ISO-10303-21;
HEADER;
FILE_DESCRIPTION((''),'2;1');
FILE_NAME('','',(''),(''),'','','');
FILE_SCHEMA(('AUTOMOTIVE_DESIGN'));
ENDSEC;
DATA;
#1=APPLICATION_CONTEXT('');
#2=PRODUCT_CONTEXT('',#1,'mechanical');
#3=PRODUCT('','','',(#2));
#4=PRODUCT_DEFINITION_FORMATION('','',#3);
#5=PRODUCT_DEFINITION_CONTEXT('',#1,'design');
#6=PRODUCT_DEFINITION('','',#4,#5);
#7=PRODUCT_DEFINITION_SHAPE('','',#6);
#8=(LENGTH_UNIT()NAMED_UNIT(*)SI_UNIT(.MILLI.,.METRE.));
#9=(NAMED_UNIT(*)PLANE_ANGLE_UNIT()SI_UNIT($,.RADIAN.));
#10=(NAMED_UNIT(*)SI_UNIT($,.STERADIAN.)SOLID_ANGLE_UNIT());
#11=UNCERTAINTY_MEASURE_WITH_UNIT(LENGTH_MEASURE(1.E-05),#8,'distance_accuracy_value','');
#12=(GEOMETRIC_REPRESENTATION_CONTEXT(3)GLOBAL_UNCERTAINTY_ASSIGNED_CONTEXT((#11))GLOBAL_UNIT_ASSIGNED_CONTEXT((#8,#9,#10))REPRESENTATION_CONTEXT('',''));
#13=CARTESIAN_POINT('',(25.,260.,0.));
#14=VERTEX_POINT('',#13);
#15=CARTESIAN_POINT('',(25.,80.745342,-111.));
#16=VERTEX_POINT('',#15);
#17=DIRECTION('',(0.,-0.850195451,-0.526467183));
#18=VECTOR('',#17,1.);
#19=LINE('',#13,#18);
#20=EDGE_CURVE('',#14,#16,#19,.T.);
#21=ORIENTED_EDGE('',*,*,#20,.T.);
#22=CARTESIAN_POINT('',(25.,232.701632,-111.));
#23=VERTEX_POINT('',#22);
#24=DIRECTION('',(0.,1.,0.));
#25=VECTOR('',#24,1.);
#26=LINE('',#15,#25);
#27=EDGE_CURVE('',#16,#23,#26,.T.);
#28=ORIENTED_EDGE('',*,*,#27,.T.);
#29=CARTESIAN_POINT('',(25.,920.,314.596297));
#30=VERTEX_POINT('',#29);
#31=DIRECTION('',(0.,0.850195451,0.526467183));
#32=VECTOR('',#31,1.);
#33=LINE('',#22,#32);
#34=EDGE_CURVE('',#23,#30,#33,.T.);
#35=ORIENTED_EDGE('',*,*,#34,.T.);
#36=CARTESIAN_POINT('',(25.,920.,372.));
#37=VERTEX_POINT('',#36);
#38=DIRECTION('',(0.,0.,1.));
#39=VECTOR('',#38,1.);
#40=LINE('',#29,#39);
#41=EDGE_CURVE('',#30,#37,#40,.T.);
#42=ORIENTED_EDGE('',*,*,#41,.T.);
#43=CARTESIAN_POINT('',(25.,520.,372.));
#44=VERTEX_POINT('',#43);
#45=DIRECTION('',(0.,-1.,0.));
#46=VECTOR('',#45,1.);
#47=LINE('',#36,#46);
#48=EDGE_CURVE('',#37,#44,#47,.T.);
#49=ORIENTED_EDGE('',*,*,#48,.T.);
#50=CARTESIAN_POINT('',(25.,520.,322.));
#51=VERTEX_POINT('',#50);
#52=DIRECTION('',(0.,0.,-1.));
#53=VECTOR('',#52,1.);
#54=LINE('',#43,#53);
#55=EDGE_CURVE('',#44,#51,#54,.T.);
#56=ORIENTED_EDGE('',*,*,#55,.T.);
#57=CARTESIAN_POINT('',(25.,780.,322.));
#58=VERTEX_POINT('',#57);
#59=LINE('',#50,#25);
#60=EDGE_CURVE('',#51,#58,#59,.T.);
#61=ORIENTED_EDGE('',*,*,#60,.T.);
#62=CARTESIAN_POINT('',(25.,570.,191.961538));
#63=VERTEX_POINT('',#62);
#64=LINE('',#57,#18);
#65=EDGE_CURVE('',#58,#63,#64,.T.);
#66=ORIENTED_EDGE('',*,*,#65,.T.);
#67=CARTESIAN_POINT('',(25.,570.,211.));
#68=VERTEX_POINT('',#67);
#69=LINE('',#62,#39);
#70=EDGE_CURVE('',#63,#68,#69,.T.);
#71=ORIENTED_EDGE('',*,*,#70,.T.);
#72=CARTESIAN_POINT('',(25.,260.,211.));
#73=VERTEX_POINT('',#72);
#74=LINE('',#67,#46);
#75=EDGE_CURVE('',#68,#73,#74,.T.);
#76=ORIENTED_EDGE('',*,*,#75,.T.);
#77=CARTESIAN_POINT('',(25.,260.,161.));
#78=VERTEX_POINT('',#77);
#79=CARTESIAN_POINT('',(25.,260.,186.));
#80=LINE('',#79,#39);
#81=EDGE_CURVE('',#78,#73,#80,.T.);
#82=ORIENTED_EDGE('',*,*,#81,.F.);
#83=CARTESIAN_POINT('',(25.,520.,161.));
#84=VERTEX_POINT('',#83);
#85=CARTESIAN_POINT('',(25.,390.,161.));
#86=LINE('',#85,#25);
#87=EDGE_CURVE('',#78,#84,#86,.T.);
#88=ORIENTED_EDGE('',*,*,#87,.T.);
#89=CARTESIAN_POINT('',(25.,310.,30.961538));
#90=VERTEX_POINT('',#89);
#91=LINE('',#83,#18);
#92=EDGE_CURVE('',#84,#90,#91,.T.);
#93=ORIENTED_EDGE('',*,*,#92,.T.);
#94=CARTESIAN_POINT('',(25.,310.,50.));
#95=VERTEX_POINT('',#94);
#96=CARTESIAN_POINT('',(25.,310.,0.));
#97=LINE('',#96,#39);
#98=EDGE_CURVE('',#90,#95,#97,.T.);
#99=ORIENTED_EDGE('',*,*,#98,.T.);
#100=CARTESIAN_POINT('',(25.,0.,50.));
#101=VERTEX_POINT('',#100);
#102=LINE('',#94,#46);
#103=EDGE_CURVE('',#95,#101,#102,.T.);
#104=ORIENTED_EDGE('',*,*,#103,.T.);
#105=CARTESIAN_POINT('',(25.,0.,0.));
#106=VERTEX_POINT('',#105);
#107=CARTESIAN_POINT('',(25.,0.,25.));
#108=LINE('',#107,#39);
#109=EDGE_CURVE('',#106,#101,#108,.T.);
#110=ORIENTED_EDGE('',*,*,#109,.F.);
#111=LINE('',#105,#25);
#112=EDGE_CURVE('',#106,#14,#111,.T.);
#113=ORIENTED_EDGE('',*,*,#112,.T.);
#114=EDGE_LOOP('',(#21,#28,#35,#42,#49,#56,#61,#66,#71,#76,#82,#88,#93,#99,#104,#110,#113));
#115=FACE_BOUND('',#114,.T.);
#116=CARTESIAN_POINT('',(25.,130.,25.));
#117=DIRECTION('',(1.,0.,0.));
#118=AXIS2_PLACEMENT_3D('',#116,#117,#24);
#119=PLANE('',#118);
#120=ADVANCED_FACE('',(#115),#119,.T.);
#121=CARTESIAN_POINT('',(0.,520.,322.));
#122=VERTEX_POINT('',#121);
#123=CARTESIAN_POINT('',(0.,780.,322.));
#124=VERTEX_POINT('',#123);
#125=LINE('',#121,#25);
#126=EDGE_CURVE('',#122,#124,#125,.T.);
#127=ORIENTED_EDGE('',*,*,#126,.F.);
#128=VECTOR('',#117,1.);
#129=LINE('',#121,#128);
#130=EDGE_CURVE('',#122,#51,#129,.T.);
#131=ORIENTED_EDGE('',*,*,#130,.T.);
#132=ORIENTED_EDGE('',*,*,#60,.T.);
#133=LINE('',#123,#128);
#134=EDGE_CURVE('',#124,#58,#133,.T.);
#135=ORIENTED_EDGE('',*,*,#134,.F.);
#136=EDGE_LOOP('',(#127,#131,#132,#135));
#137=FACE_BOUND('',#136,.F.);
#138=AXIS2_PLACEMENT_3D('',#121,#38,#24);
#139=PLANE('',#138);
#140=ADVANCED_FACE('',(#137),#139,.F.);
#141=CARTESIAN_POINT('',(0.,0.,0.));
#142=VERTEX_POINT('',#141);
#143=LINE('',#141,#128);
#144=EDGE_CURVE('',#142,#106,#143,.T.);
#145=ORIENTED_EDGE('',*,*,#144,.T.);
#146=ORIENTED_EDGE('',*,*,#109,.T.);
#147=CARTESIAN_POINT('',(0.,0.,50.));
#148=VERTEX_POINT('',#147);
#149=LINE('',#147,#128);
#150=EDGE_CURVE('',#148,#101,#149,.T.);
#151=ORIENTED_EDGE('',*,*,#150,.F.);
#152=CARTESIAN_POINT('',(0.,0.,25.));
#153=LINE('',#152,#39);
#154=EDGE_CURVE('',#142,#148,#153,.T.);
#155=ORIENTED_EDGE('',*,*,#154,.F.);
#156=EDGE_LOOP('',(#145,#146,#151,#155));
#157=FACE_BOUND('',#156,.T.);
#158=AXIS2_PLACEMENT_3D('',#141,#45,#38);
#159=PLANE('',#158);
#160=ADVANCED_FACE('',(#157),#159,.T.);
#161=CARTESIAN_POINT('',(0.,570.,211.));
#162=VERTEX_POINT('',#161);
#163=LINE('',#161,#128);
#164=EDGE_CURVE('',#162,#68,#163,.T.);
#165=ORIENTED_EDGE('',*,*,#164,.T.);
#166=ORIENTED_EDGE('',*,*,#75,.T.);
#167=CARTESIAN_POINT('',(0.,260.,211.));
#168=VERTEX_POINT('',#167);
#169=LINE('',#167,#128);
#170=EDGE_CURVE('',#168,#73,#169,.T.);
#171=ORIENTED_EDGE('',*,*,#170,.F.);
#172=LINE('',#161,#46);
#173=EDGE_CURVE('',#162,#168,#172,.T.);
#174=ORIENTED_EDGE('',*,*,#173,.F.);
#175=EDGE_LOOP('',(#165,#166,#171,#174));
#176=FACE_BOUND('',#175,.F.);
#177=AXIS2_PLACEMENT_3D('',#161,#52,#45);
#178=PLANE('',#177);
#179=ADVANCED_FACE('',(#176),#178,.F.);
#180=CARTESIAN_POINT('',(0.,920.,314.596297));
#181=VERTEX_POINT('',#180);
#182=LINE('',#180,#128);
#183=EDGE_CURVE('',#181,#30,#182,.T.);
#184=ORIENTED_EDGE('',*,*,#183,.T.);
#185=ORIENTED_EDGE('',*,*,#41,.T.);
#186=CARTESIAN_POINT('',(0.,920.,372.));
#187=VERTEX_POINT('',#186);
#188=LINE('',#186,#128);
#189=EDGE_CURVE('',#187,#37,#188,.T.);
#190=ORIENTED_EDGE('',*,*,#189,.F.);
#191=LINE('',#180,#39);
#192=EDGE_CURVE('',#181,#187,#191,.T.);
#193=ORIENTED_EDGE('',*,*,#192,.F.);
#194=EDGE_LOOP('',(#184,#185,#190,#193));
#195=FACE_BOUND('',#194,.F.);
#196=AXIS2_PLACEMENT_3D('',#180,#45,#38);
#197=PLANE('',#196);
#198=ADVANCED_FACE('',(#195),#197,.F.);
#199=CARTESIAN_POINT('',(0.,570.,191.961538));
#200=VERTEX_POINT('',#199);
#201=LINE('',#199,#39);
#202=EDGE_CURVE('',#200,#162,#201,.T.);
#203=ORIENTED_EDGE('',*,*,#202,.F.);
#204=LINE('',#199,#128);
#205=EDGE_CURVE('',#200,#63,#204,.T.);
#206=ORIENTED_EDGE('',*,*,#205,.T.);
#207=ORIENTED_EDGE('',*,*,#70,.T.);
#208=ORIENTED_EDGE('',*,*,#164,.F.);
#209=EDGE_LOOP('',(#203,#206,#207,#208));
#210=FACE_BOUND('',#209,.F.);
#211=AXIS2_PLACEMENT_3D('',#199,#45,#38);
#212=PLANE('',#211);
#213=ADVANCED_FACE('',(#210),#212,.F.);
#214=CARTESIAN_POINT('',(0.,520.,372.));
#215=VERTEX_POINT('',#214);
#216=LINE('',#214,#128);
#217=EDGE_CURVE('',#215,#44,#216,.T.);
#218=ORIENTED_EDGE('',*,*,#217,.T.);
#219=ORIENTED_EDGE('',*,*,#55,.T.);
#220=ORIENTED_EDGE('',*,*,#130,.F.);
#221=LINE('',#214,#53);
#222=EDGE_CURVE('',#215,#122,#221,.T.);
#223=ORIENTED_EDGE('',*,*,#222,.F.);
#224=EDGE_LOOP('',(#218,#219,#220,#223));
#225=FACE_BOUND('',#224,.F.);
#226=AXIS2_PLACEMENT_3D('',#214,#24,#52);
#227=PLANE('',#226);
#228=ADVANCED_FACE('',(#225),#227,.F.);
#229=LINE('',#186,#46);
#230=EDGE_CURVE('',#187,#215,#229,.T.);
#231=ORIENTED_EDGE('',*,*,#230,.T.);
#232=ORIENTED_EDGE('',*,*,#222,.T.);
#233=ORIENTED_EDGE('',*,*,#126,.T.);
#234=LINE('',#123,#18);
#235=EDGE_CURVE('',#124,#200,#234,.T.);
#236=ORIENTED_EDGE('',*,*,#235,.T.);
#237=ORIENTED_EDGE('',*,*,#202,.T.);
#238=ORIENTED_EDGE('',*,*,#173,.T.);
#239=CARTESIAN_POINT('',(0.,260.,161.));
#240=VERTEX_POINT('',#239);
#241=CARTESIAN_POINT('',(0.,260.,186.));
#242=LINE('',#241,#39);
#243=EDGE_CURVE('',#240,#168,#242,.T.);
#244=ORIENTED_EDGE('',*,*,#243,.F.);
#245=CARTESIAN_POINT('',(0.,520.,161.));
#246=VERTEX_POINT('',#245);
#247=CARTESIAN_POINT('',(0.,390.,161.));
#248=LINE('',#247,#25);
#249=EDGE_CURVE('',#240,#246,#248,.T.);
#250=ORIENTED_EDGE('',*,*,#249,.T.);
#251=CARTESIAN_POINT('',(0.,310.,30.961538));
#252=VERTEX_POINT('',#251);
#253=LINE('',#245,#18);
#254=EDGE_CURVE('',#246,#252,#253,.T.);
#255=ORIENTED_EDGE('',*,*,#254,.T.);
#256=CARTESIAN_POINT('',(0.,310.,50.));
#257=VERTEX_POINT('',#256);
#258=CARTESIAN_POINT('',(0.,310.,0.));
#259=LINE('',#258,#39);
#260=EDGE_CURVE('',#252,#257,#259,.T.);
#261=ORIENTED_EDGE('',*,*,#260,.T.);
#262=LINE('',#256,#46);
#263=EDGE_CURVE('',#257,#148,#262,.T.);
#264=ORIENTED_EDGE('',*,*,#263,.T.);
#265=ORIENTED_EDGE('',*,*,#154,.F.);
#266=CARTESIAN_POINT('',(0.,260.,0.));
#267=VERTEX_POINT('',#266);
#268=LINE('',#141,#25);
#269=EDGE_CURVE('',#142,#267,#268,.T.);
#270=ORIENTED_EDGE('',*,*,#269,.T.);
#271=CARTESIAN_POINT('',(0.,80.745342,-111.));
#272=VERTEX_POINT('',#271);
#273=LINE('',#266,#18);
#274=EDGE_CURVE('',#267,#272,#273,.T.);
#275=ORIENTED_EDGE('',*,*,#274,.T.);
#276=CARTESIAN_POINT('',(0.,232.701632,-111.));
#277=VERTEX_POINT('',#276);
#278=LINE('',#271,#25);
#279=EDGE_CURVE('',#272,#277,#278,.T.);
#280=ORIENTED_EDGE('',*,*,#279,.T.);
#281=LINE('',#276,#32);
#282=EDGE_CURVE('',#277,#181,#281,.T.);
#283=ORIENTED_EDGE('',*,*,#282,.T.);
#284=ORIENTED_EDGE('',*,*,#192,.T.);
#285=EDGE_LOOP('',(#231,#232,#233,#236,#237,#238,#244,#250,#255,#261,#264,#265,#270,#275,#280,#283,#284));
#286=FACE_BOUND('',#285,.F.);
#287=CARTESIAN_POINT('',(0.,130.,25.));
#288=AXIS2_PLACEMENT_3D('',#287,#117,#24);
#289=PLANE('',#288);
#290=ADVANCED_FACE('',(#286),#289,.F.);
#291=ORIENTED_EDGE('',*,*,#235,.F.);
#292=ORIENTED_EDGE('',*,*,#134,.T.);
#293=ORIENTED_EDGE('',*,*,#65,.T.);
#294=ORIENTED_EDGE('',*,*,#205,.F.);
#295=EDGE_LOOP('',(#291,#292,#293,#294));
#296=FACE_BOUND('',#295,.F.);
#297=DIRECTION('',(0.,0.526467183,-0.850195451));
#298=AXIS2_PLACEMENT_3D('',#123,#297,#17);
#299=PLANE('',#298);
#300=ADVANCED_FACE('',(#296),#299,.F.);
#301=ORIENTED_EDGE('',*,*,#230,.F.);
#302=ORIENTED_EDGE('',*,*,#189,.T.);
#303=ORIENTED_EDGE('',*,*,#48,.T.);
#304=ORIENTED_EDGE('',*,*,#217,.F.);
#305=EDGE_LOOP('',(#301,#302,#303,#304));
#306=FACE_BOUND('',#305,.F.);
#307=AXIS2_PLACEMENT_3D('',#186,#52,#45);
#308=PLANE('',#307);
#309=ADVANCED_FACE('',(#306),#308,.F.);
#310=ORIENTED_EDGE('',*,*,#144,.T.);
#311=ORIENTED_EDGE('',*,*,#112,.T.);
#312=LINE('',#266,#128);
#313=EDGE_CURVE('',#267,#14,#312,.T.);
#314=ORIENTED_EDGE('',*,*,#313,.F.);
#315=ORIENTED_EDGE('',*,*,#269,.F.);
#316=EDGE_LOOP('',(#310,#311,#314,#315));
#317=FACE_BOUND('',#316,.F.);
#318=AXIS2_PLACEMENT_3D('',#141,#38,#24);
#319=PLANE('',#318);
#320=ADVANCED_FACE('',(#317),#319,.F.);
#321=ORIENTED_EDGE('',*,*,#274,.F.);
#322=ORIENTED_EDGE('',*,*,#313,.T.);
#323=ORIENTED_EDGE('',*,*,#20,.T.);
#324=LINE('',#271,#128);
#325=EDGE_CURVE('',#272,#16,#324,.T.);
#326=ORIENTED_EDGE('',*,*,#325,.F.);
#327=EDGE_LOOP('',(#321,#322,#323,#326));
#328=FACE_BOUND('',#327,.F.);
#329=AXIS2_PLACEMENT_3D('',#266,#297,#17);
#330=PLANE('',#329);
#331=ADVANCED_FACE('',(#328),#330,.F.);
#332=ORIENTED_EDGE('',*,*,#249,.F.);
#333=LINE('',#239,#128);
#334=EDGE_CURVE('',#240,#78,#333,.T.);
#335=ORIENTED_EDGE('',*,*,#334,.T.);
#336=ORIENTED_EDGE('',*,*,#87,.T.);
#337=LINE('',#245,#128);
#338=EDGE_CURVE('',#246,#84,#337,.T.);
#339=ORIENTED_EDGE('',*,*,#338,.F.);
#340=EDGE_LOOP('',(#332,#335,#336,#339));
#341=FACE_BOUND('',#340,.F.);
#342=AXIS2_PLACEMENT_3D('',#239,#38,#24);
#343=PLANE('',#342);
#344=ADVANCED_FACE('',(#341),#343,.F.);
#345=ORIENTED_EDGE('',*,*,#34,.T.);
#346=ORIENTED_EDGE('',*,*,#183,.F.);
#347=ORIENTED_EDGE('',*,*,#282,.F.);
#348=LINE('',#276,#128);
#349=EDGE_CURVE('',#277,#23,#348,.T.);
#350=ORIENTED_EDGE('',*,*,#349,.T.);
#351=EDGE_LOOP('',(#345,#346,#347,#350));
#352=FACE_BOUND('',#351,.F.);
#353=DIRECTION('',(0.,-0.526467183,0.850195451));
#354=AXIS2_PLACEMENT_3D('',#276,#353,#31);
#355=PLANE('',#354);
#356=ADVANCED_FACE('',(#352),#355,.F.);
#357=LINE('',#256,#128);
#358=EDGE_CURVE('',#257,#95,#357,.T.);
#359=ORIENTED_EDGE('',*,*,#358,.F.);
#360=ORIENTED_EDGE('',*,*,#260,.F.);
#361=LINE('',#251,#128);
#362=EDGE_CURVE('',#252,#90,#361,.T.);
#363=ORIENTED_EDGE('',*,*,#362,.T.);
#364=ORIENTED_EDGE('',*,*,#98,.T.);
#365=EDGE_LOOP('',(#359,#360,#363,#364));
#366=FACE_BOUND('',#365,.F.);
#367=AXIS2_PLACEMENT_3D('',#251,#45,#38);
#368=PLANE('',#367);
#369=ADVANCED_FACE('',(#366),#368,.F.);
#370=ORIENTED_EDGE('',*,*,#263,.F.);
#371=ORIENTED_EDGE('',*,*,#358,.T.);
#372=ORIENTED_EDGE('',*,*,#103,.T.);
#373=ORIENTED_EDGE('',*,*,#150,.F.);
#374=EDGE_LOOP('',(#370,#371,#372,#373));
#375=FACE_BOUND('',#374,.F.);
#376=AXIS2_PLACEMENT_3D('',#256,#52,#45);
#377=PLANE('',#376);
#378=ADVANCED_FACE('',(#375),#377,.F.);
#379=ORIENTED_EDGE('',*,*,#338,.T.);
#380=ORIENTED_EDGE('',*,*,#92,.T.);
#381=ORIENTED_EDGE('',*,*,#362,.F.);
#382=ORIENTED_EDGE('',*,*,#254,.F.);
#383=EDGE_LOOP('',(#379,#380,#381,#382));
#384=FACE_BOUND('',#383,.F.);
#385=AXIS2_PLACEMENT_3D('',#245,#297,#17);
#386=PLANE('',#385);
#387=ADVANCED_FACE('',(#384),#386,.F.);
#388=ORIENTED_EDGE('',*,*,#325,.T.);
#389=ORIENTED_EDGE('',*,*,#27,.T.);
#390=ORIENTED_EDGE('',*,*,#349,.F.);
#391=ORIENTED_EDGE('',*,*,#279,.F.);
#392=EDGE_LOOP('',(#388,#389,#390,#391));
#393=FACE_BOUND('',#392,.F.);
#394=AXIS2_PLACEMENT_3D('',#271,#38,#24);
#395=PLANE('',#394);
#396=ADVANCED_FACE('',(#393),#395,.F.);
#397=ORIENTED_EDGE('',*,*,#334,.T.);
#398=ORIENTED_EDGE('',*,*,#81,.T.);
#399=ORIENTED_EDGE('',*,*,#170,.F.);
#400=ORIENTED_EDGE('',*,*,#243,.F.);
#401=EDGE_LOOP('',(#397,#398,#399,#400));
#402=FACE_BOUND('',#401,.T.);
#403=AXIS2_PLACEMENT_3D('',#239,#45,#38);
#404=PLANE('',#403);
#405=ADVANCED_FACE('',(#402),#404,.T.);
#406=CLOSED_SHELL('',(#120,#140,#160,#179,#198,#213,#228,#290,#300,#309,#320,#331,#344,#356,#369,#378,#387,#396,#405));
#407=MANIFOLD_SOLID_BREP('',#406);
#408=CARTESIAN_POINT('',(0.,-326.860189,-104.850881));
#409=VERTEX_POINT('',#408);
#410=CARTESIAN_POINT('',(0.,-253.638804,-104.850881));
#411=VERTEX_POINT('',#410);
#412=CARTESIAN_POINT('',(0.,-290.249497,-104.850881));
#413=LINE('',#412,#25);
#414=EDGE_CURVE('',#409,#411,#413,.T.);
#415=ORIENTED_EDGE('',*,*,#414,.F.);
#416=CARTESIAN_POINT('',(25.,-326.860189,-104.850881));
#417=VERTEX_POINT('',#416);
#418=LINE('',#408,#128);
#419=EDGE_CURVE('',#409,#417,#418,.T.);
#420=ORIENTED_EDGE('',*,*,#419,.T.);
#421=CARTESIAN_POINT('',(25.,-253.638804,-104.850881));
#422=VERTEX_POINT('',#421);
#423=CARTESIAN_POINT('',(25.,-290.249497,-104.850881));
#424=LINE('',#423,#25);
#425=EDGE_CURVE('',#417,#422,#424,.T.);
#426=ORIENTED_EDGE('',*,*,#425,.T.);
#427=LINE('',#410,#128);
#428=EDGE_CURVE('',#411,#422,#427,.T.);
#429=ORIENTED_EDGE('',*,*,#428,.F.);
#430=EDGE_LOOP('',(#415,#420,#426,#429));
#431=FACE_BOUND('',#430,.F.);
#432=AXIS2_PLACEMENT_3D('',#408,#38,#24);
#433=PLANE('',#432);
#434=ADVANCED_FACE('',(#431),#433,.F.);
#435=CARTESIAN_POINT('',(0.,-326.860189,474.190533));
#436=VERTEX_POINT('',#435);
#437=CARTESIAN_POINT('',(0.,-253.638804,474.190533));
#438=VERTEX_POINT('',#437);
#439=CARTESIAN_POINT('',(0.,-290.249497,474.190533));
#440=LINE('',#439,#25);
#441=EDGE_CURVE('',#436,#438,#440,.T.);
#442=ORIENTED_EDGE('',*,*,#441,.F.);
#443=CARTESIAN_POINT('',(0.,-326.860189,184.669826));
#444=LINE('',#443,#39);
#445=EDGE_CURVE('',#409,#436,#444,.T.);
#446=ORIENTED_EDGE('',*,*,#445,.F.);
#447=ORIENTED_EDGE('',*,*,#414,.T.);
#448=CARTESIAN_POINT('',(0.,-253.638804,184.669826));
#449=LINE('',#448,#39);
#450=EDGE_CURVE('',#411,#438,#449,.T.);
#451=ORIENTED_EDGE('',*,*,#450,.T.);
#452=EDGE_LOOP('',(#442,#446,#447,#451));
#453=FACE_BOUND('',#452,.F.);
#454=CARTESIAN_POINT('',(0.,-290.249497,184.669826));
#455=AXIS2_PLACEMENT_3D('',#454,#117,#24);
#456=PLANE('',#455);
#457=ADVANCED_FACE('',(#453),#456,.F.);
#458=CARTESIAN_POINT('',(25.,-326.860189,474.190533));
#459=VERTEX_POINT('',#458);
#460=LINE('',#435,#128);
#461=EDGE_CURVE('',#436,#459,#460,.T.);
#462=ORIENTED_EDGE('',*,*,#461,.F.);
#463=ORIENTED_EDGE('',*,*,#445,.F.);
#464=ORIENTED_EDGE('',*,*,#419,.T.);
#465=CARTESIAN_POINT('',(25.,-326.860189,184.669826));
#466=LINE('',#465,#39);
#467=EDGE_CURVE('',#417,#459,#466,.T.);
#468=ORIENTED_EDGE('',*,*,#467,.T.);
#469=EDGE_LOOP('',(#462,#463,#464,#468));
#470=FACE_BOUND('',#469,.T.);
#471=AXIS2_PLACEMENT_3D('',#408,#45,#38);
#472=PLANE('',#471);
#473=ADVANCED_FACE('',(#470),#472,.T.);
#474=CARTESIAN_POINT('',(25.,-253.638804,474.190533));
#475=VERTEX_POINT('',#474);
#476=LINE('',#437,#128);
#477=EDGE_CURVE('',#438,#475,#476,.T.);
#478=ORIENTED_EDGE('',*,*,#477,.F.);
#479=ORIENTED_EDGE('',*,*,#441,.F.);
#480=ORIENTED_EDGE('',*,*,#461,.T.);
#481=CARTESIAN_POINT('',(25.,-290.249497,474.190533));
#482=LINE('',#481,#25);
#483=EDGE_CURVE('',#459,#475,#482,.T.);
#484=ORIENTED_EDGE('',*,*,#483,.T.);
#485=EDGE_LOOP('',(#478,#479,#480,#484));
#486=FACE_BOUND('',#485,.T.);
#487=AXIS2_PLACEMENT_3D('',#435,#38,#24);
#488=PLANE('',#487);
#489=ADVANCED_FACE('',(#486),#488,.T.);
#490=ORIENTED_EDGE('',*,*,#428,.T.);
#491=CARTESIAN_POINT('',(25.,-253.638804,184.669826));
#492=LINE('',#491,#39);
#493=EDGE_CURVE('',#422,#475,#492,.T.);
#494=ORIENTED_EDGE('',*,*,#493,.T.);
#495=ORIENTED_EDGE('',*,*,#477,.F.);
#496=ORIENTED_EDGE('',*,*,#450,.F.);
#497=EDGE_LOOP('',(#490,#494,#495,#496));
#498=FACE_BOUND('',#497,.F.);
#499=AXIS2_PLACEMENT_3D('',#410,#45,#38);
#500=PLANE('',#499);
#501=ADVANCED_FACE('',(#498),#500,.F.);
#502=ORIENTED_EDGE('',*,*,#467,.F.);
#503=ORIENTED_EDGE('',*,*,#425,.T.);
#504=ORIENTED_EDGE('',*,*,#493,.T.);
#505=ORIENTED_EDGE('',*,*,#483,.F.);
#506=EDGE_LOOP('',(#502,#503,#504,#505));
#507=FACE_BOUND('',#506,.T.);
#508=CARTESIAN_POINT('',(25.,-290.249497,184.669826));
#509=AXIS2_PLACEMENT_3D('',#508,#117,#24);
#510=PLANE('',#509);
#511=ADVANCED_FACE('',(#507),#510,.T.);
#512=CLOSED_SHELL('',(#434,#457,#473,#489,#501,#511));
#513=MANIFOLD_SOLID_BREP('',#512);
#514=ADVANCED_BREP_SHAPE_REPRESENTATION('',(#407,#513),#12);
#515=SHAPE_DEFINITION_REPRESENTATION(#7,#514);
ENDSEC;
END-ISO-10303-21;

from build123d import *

# Parameters (mm, degrees)
F0_W     = 260
F0_H     = 50
F1_DEPTH = 25
F0_W_2   = 73.221385479
F0_H_2   = 579.0414139628


with BuildPart() as f1:
    # F0 (on Right) → F1 (new body)
    with BuildSketch(Plane.YZ):
        with Locations((130, 25)):
            Rectangle(F0_W, F0_H)
        Polygon((310, 30.9615384615), (260, 0), (310, 0), align=None)
        Polygon((260, 50), (260, 0), (310, 30.9615384615), (310, 50), align=None)
        Polygon((310, 0), (260, 0), (80.7453416149, -111), (232.7016316881, -111), (302.1173746537, -68.0156360867), (562.1173746537, 92.9843639133), (920, 314.5962973008), (920, 322), (780, 322), (570, 191.9615384615), (570, 161), (520, 161), (310, 30.9615384615), align=None)
        with Locations((390, 186)):
            Rectangle(F0_W, F0_H)
        Polygon((570, 191.9615384615), (520, 161), (570, 161), align=None)
        Polygon((520, 211), (520, 161), (570, 191.9615384615), (570, 211), align=None)
        Polygon((520, 322), (780, 322), (920, 322), (920, 372), (520, 372), align=None)
    extrude(amount=F1_DEPTH)


with BuildPart() as f1b:
    # F0 (on Right) → F1, piece 2 (new body)
    with BuildSketch(Plane.YZ):
        with Locations((-290.2494966984, 184.6698261797)):
            Rectangle(F0_W_2, F0_H_2)
    extrude(amount=F1_DEPTH)


solid = Compound([f1.part, f1b.part])
